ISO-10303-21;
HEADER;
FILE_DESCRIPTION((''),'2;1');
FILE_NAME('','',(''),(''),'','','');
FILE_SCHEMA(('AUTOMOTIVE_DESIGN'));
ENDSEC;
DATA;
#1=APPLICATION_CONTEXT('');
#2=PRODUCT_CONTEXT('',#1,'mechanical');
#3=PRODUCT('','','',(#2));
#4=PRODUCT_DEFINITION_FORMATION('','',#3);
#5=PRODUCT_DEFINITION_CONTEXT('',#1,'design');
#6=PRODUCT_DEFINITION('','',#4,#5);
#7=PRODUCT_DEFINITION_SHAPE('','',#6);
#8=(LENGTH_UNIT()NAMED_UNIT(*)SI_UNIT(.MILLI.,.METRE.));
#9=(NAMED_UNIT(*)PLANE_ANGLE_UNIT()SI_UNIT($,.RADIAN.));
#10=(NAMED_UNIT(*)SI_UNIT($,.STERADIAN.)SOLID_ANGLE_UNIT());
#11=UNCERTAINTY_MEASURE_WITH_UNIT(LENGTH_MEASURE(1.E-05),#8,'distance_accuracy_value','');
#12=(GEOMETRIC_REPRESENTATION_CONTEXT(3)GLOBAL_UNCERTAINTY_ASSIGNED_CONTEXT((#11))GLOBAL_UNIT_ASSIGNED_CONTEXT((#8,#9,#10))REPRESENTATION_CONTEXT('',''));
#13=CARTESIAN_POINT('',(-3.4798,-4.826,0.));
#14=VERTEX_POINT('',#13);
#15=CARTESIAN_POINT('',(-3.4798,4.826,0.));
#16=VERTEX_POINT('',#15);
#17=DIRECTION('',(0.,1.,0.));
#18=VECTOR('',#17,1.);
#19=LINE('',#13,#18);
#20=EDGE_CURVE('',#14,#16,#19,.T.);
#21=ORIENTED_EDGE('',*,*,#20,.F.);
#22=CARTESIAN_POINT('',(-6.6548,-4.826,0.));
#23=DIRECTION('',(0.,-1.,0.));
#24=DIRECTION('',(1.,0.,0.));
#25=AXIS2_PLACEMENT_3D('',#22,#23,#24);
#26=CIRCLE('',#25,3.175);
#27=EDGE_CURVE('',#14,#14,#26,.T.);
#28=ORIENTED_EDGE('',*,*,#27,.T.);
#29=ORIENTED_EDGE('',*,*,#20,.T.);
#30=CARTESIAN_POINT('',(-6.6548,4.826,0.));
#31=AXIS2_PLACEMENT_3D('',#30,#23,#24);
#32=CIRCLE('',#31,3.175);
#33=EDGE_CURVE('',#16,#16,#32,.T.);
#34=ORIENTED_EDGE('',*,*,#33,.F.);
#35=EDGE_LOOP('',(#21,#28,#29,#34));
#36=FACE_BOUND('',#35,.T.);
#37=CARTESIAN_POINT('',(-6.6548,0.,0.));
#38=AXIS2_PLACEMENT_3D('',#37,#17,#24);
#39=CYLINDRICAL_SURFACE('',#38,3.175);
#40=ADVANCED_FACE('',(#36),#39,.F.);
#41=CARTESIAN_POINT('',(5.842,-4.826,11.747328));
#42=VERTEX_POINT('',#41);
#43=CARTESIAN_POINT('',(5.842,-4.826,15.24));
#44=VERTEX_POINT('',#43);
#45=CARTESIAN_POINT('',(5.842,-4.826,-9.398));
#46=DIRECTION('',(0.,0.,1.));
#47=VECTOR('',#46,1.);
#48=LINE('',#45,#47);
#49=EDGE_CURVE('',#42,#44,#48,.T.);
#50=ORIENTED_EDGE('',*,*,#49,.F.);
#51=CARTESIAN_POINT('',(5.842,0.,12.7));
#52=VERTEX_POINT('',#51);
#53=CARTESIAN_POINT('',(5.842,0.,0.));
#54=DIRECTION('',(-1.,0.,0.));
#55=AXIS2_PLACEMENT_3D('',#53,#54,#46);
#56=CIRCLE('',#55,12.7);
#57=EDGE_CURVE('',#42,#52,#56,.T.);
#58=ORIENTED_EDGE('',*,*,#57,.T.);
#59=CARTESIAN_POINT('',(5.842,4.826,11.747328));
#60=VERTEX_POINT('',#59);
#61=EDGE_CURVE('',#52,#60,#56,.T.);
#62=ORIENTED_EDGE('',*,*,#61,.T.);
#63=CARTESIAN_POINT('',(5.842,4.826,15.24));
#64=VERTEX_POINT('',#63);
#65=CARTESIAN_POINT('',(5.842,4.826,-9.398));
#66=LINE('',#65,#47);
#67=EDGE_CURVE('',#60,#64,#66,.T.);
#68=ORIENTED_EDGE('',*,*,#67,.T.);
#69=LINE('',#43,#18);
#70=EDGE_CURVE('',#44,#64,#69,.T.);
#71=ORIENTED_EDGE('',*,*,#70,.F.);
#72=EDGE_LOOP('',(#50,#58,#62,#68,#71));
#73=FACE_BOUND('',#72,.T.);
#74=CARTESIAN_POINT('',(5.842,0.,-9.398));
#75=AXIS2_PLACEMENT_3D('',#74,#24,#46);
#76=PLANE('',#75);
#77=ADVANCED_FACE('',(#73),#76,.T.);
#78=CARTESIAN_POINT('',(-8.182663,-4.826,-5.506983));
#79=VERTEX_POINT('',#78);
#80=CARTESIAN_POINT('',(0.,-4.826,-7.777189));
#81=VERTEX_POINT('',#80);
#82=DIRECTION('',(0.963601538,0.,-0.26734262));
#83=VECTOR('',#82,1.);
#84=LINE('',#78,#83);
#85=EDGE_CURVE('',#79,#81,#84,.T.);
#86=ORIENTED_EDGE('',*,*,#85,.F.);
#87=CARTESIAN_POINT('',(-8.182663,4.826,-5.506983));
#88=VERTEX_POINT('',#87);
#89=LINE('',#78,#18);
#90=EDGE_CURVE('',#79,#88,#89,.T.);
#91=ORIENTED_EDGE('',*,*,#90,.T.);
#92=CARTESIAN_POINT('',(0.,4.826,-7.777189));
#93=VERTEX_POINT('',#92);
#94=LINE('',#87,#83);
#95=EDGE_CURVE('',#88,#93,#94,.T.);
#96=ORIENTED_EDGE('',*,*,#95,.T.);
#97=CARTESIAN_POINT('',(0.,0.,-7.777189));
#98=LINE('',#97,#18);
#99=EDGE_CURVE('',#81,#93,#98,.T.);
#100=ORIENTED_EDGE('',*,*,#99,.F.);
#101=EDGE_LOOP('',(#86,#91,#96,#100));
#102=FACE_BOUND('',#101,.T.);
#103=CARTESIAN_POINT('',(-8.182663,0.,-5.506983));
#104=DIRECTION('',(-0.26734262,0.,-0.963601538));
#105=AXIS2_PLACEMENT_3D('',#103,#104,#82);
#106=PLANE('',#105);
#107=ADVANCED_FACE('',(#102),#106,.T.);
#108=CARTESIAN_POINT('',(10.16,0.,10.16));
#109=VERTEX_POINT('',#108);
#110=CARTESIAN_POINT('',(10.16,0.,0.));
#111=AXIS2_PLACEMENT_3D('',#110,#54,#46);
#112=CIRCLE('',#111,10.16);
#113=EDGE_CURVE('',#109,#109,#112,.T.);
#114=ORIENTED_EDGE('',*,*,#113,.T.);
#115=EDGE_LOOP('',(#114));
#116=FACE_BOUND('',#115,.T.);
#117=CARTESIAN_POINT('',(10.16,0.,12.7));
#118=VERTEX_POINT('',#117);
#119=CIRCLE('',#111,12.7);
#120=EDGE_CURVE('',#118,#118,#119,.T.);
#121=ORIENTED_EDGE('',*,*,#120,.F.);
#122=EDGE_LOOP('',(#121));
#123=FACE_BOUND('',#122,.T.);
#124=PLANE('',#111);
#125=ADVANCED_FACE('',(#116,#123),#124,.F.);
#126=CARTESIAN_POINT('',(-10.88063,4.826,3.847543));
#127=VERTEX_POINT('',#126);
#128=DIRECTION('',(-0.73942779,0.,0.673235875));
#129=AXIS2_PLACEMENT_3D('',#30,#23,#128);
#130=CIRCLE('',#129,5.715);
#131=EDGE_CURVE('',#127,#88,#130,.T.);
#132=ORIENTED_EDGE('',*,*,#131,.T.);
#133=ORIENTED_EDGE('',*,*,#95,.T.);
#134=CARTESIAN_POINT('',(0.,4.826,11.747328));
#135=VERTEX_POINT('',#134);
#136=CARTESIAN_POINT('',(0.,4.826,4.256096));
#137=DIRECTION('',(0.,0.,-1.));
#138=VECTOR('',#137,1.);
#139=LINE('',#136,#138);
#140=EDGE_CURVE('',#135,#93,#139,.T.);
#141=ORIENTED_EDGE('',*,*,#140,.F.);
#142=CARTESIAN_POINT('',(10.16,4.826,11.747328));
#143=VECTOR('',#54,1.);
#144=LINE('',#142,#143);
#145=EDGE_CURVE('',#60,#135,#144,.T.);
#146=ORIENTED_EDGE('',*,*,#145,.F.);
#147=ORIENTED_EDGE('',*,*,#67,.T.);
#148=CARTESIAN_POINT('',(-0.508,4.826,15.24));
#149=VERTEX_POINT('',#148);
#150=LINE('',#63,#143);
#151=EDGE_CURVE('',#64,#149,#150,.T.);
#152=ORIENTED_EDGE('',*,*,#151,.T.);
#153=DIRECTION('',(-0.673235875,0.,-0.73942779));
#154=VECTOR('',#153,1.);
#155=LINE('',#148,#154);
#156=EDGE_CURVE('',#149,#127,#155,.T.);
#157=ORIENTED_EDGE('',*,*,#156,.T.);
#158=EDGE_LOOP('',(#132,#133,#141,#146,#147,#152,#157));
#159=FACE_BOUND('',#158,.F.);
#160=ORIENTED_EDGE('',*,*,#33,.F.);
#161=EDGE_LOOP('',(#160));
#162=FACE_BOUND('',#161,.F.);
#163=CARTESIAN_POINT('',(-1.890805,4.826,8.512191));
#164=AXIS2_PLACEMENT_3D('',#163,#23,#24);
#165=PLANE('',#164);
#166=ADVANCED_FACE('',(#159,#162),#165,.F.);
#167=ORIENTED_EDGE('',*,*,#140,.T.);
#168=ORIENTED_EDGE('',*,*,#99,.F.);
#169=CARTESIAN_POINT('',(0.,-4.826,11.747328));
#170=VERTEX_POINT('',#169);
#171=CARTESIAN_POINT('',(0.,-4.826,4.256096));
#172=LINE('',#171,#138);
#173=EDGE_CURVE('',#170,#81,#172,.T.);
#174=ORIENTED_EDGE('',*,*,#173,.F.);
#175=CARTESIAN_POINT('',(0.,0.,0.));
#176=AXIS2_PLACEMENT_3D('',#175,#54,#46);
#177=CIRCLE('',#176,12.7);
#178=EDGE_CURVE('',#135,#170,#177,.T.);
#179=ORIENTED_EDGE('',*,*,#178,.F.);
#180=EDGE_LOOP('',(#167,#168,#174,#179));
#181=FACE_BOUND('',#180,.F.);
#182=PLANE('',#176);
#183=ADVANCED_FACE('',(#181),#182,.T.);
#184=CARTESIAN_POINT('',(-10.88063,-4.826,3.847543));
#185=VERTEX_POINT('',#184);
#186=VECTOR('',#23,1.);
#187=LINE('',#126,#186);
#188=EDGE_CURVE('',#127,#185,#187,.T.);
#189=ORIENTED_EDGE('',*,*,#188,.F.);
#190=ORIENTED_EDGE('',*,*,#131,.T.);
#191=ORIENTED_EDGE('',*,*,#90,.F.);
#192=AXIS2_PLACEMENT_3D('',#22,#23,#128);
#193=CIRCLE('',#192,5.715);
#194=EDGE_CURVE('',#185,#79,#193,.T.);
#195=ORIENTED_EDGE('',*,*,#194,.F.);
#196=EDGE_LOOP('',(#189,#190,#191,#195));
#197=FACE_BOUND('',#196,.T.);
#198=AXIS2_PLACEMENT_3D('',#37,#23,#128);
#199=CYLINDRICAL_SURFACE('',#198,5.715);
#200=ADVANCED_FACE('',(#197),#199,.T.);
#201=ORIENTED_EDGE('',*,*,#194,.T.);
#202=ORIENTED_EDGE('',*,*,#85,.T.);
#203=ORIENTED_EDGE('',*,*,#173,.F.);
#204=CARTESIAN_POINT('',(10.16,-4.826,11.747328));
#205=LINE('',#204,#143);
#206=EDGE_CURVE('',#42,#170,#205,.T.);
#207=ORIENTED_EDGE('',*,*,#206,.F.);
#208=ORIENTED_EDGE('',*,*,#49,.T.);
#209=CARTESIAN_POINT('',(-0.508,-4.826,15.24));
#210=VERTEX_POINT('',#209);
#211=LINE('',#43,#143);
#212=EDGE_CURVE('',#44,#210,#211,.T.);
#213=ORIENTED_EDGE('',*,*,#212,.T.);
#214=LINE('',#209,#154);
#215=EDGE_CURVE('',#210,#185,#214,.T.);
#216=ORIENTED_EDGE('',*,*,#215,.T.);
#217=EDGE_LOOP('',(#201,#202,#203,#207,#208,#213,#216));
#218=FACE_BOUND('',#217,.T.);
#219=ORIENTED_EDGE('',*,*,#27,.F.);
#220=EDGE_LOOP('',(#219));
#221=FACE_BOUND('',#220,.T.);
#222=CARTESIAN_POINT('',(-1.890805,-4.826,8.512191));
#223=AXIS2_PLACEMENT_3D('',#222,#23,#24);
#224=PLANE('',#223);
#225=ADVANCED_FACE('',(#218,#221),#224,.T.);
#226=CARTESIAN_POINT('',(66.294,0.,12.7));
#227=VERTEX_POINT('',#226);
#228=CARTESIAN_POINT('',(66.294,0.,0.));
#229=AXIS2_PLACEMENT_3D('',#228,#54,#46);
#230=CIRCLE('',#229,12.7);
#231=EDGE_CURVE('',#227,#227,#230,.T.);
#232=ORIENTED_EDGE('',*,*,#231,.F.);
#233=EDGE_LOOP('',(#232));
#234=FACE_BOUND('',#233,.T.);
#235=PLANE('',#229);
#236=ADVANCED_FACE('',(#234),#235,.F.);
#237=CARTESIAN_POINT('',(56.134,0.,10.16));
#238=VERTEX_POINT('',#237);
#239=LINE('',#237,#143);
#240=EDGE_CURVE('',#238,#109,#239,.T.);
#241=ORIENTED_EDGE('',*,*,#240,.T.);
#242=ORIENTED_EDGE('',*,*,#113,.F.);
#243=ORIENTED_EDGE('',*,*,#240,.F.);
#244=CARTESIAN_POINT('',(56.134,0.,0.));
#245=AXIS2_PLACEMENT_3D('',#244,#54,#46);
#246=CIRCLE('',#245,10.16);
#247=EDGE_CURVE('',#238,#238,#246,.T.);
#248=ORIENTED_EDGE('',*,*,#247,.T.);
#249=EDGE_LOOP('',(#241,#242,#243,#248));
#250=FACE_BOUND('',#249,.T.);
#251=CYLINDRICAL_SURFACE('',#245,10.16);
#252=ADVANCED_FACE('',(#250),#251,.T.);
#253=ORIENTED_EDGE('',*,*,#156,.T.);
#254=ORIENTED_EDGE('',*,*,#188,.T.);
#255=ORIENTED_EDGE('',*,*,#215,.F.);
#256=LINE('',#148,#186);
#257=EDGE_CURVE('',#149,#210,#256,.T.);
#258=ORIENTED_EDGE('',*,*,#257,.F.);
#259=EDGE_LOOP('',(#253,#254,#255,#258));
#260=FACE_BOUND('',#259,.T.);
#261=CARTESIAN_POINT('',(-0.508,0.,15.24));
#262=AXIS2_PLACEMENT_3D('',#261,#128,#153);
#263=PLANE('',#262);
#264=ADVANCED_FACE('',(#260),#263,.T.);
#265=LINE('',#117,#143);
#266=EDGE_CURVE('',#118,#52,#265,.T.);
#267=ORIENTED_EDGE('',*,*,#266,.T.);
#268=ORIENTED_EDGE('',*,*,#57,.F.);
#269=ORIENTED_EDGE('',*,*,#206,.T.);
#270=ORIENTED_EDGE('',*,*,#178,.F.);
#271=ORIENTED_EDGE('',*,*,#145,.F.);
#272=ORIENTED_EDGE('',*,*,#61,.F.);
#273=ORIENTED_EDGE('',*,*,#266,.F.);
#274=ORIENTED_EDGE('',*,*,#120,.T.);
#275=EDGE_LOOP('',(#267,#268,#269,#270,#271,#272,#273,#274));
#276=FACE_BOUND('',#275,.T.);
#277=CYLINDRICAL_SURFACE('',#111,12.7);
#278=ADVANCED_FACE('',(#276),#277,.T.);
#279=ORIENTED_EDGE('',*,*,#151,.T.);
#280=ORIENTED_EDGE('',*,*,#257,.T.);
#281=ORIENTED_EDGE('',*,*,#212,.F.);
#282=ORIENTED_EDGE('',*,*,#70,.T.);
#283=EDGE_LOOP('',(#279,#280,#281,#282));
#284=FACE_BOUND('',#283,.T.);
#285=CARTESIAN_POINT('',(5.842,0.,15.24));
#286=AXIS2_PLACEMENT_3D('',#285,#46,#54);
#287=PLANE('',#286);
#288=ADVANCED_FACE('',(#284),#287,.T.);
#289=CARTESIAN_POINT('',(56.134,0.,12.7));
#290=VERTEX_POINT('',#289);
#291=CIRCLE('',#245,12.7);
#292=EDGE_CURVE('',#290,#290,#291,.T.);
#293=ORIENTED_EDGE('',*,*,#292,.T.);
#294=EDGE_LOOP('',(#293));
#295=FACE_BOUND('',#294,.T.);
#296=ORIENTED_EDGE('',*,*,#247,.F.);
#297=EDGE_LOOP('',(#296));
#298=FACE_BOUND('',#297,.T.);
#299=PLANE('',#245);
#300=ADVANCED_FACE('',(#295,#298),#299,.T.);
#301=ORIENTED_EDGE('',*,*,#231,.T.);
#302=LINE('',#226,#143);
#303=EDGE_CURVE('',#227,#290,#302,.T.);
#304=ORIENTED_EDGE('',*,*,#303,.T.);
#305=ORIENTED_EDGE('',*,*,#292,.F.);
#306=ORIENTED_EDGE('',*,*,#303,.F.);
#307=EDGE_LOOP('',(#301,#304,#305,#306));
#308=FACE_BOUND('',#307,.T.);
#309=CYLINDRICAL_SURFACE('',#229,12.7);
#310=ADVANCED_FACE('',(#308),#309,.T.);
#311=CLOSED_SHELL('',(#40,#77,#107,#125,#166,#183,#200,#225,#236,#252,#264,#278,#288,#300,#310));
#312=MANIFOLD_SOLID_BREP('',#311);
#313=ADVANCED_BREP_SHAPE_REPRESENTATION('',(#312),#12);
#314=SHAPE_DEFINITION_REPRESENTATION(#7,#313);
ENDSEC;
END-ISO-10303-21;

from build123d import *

# Parameters (mm, degrees)
F0_W     = 5.842
F0_H     = 12.7
F0_R     = 3.175
F2_DEPTH = 4.826


with BuildPart() as f1:
    # F0 (on Front) → F1 (revolve)
    with BuildSketch(Plane.XZ):
        Polygon((5.842, 12.7), (5.842, 0), (66.294, 0), (66.294, 12.7), (56.134, 12.7), (56.134, 10.16), (10.16, 10.16), (10.16, 12.7), align=None)
        with Locations((2.921, 6.35)):
            Rectangle(F0_W, F0_H)
    revolve(axis=Axis((33.147, 0, 0), (-1, 0, 0)))

    # F0 (on Front) → F2 (join, symmetric)
    with BuildSketch(Plane.XZ):
        with BuildLine():
            Line((-0.9398, 0), (0, 0))
            Line((0, 0), (0, 12.7))
            Line((0, 12.7), (5.842, 12.7))
            Line((5.842, 12.7), (5.842, 15.24))
            Line((5.842, 15.24), (-0.508, 15.24))
            Line((-0.508, 15.24), (-10.8806298187, 3.8475430269))
            ThreePointArc((-10.8806298187, 3.8475430269), (-4.5919612295, 5.3297205562), (-0.9398, 0))
        make_face()
        with BuildLine():
            ThreePointArc((-8.1826630726, -5.5069827884), (-3.1957909266, -4.5493385486), (-0.9398, 0))
            ThreePointArc((-0.9398, 0), (-4.5919612295, 5.3297205562), (-10.8806298187, 3.8475430269))
            ThreePointArc((-10.8806298187, 3.8475430269), (-12.1459778134, -1.5837270034), (-8.1826630726, -5.5069827884))
        make_face()
        with Locations((-6.6548, 0)):
            Circle(F0_R, mode=Mode.SUBTRACT)
        with BuildLine():
            Line((5.842, 0), (0, 0))
            Line((0, 0), (-0.9398, 0))
            ThreePointArc((-0.9398, 0), (-3.1957909266, -4.5493385486), (-8.1826630726, -5.5069827884))
            Line((-8.1826630726, -5.5069827884), (5.842, -9.398))
            Line((5.842, -9.398), (5.842, 0))
        make_face()
        with Locations((2.921, 6.35)):
            Rectangle(F0_W, F0_H)
    extrude(amount=F2_DEPTH, both=True)


solid = f1.part
